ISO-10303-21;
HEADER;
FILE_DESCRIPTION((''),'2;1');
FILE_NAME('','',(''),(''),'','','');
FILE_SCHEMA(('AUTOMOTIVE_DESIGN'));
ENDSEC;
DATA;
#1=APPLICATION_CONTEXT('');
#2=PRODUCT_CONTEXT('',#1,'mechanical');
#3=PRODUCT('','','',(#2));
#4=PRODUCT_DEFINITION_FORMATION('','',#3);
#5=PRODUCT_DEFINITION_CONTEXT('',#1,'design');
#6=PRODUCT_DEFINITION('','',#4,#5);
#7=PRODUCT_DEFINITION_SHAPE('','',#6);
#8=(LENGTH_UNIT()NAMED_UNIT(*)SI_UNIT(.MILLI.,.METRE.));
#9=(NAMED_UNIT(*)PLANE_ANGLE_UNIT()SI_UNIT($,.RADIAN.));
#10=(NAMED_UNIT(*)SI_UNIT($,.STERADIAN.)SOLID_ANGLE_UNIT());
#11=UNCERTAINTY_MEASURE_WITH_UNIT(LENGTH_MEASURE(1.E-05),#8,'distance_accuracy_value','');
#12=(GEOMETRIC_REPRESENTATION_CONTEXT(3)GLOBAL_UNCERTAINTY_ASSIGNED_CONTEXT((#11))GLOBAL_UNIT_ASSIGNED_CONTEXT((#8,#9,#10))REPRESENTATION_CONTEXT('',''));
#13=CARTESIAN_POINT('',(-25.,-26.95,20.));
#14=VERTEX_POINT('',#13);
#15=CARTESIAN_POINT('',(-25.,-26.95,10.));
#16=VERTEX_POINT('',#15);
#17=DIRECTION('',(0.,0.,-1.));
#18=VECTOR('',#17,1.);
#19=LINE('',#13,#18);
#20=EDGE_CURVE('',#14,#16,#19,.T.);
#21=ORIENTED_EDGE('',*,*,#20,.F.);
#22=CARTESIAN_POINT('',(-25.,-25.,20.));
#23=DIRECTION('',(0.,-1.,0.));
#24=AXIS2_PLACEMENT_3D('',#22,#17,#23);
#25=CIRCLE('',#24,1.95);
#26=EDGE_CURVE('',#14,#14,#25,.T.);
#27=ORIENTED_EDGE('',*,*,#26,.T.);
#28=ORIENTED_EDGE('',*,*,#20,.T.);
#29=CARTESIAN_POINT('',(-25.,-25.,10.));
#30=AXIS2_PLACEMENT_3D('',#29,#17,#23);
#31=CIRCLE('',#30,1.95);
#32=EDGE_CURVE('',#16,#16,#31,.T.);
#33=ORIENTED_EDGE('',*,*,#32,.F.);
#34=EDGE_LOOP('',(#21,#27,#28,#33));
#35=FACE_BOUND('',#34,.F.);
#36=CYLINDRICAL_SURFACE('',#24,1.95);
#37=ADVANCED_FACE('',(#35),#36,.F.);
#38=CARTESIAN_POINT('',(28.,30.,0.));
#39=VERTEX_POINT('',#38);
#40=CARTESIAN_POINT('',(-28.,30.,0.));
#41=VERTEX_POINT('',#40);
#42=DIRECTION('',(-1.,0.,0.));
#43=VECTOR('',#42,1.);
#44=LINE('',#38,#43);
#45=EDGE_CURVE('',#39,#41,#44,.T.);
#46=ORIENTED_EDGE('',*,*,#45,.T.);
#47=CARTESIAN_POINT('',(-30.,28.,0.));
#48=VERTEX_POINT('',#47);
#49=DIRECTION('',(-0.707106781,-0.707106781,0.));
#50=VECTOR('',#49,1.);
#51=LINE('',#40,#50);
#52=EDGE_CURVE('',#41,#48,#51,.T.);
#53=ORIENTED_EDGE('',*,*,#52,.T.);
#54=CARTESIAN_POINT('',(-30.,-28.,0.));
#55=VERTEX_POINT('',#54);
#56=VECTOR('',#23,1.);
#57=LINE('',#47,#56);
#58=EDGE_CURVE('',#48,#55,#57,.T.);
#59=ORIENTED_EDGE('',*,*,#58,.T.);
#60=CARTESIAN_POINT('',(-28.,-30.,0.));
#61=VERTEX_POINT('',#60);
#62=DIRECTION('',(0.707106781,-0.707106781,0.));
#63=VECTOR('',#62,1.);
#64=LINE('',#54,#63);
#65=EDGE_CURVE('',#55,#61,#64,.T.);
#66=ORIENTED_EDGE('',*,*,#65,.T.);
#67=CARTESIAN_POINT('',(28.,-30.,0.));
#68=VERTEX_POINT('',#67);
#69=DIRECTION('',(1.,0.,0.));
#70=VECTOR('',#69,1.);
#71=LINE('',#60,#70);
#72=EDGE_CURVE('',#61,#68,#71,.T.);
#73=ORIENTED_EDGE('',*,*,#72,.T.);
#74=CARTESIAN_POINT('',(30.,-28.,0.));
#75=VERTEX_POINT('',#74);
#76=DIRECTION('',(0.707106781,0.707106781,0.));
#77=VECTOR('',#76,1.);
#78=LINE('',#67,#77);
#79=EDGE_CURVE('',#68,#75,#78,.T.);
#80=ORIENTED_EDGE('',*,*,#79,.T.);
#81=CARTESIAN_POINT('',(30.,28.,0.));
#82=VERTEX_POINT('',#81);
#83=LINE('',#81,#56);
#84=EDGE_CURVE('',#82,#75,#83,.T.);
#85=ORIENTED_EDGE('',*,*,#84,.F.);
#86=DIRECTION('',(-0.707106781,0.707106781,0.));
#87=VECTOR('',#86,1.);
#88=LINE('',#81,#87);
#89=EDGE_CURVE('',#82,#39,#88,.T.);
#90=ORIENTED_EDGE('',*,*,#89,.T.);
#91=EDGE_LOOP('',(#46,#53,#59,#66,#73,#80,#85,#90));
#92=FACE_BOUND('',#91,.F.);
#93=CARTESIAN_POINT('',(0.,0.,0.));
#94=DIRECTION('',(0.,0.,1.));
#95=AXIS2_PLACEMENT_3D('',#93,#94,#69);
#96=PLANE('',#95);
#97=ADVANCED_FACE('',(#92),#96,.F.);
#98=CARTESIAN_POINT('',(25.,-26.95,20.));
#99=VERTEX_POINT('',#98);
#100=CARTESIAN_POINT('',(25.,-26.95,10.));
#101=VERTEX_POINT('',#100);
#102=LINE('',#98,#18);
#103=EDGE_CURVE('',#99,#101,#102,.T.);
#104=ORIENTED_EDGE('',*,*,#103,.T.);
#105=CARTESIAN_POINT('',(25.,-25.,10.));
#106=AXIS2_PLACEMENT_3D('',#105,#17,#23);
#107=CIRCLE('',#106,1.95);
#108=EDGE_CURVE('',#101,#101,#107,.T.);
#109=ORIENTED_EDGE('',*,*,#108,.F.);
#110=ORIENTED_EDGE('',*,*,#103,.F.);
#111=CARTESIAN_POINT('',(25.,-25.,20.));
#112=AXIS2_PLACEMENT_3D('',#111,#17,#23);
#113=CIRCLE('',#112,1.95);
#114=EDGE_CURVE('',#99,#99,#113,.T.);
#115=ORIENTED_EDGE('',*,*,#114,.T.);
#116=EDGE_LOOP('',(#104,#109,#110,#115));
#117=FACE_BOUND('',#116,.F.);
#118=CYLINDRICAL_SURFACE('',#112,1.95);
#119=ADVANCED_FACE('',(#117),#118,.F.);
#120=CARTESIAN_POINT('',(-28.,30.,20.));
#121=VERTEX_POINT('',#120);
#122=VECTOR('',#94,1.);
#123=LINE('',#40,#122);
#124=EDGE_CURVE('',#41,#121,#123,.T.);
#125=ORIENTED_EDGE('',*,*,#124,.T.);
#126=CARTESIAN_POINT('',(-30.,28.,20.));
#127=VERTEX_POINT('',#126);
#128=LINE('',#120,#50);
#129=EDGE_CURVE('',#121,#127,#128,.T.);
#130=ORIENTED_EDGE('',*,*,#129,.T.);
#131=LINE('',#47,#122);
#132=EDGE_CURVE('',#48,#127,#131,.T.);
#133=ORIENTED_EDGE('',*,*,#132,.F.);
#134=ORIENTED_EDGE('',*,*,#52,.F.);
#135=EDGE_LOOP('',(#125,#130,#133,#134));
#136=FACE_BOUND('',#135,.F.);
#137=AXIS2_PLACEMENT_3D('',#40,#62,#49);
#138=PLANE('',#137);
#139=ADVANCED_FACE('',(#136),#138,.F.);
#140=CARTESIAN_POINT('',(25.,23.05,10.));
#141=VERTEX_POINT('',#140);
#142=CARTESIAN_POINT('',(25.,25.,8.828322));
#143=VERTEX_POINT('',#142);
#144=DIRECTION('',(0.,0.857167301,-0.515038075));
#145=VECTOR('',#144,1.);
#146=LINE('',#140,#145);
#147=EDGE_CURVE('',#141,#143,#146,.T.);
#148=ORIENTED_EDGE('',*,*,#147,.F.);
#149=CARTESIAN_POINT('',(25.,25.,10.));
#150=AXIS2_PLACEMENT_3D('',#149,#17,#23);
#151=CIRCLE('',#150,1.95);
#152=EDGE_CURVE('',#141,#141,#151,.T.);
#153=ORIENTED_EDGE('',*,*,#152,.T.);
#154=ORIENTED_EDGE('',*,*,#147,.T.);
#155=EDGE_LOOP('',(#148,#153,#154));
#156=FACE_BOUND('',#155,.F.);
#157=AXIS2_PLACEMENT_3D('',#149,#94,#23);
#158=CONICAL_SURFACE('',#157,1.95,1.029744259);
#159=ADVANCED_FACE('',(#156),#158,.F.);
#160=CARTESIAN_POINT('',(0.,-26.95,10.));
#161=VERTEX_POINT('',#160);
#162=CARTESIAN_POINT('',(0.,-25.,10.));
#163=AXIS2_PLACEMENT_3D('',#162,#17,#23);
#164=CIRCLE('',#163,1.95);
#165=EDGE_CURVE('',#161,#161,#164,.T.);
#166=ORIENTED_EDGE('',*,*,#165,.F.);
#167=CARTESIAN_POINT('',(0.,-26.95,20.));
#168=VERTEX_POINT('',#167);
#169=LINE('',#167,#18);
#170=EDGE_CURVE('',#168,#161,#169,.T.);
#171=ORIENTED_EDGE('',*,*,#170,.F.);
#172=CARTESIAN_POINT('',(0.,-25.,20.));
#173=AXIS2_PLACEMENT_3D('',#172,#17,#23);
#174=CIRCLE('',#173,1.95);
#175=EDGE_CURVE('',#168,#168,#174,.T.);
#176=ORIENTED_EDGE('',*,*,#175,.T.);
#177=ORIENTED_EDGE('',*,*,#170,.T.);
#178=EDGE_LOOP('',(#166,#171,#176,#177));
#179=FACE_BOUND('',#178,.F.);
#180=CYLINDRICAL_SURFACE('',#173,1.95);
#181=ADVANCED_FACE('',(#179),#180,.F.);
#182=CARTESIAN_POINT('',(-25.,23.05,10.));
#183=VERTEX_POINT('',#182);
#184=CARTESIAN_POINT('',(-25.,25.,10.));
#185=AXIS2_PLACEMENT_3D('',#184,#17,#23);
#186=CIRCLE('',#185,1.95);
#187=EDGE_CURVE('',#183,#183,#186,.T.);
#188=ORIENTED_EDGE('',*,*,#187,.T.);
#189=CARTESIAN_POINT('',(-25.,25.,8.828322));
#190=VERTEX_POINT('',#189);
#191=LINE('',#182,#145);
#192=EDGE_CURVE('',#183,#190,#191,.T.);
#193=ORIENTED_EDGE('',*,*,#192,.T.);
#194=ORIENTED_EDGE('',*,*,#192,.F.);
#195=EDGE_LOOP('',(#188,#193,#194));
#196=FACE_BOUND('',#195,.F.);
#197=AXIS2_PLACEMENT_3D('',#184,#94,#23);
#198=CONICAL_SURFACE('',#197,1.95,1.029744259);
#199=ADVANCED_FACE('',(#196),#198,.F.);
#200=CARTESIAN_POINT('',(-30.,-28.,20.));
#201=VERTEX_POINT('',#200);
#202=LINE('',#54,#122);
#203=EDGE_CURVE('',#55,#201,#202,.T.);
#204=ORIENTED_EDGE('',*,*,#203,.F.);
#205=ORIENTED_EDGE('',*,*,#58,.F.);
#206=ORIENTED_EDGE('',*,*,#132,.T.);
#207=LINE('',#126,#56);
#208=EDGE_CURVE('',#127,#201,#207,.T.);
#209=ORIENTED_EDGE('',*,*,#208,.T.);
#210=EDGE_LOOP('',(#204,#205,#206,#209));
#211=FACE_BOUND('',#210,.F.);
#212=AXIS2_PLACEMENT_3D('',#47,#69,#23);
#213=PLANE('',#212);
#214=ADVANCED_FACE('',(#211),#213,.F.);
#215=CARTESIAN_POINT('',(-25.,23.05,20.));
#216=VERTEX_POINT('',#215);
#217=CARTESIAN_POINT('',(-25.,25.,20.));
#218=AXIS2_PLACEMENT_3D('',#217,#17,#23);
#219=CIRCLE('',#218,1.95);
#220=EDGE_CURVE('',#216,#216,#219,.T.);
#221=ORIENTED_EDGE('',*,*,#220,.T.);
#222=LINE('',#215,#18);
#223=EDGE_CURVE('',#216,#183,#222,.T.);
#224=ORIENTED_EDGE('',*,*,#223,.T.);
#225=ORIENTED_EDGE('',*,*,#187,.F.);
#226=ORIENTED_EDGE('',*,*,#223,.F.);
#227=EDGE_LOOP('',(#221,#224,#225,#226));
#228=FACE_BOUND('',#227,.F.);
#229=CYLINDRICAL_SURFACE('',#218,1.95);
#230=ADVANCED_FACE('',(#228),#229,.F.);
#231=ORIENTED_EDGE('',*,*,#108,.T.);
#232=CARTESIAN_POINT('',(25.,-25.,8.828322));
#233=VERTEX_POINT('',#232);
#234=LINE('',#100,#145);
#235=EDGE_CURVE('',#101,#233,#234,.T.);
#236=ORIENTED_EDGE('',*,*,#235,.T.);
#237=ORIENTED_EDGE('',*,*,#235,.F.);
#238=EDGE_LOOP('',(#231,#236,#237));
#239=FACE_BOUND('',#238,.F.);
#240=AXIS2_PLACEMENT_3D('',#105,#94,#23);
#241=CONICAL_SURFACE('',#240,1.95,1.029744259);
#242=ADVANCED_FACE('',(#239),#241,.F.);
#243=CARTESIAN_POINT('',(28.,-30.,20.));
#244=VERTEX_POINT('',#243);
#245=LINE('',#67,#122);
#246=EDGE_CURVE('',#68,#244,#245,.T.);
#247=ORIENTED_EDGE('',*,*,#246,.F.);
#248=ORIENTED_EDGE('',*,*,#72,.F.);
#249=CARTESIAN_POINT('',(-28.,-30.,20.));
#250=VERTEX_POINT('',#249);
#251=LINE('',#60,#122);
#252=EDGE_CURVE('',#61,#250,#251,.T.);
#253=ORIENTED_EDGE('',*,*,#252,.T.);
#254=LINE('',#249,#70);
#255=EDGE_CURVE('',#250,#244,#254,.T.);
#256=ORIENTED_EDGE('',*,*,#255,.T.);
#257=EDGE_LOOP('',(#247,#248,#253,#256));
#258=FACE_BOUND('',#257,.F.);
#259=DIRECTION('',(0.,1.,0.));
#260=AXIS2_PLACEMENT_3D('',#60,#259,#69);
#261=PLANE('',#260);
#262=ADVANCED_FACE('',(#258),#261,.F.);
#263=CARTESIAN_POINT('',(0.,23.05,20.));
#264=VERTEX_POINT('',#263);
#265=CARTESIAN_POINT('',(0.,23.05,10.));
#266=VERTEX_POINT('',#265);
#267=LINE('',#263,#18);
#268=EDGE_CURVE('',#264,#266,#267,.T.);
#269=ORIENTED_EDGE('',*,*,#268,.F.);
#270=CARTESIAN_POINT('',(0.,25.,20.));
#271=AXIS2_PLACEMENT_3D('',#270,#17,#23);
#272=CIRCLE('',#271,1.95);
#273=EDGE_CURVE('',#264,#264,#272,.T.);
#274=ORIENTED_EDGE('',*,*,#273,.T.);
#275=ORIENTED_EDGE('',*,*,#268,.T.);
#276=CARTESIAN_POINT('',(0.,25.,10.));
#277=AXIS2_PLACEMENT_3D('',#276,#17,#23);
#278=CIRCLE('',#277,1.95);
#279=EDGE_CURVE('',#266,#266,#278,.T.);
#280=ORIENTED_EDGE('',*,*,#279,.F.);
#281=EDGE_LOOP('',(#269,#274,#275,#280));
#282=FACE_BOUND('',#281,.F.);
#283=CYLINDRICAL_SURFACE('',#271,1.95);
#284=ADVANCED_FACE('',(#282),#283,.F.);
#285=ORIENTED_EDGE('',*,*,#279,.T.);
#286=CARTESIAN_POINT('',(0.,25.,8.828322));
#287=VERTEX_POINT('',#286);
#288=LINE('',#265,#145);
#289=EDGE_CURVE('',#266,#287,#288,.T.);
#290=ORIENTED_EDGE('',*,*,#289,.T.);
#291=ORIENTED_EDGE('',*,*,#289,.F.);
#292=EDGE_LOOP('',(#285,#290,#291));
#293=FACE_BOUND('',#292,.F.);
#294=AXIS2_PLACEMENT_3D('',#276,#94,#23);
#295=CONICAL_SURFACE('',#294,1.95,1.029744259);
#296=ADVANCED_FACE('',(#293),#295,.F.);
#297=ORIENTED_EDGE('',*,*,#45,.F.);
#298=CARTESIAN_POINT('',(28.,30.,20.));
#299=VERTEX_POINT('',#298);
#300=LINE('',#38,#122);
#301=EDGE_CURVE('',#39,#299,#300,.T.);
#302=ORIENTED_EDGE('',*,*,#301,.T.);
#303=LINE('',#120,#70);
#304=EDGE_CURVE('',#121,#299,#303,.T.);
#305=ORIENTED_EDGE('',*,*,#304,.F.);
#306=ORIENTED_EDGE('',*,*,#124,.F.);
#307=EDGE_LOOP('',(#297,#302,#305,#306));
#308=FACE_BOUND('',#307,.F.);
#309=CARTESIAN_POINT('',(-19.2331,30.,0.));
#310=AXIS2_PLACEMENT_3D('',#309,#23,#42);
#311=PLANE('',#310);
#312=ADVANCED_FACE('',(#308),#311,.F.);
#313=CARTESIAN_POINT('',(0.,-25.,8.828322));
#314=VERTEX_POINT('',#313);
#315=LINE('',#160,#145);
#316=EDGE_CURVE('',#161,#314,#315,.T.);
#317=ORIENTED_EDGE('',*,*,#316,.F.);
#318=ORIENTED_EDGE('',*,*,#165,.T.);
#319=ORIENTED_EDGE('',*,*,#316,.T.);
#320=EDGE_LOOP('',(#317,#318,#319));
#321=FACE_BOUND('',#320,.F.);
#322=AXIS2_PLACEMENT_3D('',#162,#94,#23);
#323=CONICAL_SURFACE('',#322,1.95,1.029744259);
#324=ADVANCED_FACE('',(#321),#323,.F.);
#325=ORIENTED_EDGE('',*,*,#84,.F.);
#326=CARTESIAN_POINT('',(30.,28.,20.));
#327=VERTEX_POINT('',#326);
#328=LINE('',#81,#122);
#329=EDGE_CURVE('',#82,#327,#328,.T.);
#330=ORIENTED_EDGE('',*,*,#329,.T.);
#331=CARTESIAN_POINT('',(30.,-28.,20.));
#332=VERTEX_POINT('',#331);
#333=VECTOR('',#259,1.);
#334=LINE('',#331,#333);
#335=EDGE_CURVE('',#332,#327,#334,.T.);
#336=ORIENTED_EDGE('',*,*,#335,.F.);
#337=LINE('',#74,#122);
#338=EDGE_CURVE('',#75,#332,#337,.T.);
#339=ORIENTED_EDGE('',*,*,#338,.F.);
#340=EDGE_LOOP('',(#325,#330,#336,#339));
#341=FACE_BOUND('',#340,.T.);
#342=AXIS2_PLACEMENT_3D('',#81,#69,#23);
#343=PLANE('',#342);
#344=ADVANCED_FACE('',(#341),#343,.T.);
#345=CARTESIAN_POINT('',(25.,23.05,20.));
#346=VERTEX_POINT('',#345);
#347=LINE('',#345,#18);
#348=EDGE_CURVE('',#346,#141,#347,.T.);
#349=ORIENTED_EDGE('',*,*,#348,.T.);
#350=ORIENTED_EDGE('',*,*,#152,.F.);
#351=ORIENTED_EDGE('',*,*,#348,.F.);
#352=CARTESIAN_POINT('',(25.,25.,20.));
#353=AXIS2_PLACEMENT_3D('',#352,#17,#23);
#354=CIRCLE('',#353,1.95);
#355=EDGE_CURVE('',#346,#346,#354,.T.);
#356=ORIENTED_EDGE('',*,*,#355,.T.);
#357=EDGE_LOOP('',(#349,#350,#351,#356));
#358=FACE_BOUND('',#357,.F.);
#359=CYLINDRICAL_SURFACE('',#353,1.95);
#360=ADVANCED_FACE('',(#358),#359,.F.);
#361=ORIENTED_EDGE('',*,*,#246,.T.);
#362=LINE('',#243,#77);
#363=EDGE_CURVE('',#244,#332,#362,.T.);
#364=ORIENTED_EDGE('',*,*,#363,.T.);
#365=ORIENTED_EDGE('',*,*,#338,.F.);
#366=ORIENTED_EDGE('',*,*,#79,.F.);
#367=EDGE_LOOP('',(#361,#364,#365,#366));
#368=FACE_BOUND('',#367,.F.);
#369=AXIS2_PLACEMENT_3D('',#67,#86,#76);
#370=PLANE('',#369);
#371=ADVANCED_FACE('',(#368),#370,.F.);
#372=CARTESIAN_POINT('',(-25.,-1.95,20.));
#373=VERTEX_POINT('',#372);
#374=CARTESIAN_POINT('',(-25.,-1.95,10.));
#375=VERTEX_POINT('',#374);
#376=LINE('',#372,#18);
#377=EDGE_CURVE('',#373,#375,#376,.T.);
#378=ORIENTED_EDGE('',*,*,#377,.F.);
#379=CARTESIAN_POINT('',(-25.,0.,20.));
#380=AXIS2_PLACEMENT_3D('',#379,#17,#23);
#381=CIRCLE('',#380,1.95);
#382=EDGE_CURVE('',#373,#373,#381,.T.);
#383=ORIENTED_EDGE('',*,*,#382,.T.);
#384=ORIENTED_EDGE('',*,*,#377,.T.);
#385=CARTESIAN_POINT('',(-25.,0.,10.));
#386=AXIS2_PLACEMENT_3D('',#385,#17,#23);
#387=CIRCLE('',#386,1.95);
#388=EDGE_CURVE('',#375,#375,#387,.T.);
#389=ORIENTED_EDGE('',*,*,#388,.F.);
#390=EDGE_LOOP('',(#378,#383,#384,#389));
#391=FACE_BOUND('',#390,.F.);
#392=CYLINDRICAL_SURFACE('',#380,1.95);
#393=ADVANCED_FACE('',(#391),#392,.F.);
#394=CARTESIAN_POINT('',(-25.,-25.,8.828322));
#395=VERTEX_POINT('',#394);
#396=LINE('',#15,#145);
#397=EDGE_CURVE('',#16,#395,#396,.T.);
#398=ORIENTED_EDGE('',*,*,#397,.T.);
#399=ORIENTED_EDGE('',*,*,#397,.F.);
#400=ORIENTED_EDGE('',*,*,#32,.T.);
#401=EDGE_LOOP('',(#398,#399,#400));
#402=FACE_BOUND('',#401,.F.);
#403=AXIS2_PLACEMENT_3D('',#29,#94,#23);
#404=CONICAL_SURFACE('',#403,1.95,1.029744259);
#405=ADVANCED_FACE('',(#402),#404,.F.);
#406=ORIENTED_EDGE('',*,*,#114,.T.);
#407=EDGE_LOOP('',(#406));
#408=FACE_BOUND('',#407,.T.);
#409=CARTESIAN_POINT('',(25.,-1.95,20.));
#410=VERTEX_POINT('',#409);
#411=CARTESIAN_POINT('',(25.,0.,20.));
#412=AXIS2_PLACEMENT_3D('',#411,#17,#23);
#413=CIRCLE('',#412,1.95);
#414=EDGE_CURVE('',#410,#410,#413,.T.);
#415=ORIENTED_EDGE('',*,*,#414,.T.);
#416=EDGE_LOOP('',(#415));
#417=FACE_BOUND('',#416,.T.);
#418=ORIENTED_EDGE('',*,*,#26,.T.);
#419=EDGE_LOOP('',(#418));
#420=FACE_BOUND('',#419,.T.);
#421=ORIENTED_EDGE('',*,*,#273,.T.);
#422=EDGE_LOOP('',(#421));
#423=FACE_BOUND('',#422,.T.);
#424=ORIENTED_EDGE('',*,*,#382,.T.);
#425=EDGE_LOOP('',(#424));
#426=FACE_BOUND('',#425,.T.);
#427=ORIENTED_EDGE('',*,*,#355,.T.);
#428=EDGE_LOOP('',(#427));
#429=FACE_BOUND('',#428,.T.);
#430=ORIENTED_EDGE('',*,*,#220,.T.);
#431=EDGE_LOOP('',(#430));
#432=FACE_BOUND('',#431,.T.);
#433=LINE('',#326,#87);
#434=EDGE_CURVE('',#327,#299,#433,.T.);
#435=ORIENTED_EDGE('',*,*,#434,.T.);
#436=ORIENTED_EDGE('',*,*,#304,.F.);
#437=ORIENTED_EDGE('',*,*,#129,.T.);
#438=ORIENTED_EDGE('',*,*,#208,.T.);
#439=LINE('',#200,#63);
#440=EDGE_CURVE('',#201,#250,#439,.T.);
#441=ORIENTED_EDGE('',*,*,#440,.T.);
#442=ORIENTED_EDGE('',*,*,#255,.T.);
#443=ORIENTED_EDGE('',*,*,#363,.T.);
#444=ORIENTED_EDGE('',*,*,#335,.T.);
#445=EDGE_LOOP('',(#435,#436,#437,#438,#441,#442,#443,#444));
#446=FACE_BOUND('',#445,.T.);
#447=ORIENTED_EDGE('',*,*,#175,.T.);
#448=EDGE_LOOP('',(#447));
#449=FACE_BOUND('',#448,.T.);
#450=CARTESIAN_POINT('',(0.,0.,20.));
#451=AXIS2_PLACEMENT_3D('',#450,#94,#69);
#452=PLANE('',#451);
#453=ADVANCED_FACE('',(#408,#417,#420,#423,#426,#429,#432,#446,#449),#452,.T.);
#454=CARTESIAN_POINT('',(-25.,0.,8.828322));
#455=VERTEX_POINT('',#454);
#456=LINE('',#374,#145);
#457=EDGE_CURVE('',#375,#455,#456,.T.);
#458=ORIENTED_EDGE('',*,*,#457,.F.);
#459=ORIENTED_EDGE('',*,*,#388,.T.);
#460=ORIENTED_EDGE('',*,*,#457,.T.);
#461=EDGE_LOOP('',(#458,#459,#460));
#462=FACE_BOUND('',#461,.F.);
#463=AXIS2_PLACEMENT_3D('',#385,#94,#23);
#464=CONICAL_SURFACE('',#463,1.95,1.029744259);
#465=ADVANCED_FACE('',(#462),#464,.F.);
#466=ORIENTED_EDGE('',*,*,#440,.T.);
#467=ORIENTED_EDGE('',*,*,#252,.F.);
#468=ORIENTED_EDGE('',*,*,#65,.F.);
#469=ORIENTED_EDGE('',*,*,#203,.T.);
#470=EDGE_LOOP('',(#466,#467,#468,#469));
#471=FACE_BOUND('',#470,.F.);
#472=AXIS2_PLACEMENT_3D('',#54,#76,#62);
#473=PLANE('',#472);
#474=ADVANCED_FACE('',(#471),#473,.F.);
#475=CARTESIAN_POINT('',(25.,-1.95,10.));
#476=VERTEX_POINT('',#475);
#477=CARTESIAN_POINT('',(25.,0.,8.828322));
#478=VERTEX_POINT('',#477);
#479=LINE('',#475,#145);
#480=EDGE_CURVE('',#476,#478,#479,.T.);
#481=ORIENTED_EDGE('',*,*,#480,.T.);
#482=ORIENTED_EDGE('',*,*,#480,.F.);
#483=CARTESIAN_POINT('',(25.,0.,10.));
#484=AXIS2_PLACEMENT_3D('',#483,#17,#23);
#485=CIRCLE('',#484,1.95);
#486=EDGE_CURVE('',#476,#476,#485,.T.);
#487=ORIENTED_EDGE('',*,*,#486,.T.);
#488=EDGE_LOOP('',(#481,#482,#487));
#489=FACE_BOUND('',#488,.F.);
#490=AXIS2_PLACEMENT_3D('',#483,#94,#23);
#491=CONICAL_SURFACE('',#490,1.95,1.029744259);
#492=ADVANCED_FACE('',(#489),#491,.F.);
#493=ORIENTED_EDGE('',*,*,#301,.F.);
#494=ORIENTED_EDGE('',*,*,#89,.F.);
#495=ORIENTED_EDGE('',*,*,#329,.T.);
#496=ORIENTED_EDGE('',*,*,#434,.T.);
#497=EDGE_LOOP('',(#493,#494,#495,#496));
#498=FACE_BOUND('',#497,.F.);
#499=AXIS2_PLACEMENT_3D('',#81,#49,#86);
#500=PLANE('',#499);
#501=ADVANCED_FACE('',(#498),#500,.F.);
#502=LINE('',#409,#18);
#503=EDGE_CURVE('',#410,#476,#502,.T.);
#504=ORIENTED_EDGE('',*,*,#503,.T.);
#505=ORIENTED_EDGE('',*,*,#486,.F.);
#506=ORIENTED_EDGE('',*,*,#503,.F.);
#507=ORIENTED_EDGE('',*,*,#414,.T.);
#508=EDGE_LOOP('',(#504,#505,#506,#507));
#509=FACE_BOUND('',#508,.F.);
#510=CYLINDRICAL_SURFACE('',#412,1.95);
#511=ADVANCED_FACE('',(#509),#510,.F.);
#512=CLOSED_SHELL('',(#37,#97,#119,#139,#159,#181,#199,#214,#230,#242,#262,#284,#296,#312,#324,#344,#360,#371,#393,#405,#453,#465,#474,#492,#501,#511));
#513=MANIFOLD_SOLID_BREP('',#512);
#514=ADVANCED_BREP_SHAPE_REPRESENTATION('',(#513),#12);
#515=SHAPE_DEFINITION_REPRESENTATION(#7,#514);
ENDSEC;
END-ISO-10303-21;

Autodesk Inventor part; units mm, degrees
ref_plane "YZ Plane" through (0, 0, 0) normal (1, 0, 0) x (0, 1, 0)
ref_plane "XZ Plane" through (0, 0, 0) normal (0, 1, 0) x (-1, 0, 0)
ref_plane "XY Plane" through (0, 0, 0) normal (0, 0, 1) x (1, 0, 0)
ref_plane "Work Plane1" through (0, 0, 0) normal (0, 0, 1) x (1, 0, 0)
sketch "Sketch1" plane through (0, 0, 0) normal (0, 0, 1) x (1, 0, 0)
  line L0 (-28, 30) -> (-30, 28) projected
  line L1 (-30, 28) -> (-30, -28) projected
  line L2 (-30, -28) -> (-28, -30) projected
  line L3 (-28, -30) -> (28, -30) projected
  line L4 (28, -30) -> (30, -28) projected
  line L5 (30, -28) -> (30, -17.7934) projected
  line L6 (30, 28) -> (28, 30) projected
  line L7 (28, 30) -> (17.7934, 30) projected
  line L8 (-25, -25) -> (25, -25) construction
  line L9 (25, -25) -> (25, 25) construction
  line L10 (25, 25) -> (-25, 25) construction
  line L11 (-25, 25) -> (-25, -25) construction
  line L12 (-25, -25) -> (25, 25) construction
  line L13 (25, -25) -> (-25, 25) construction
  line L14 (30, -17.7934) -> (44, -17.7934) projected
  line L15 (44, -9.0511) -> (44, -17.7934) projected
  line L16 (30, -9.0511) -> (44, -9.0511) construction
  line L17 (30, -9.0511) -> (30, 8.3051) projected
  line L18 (30, 8.3051) -> (44, 8.3051) projected
  line L19 (44, 19.2331) -> (44, 8.3051) projected
  line L20 (30, 19.2331) -> (44, 19.2331) construction
  line L21 (30, 28) -> (30, -28) projected
  line L22 (17.7934, 30) -> (17.7934, 44) projected
  line L23 (9.0511, 44) -> (17.7934, 44) projected
  line L24 (9.0511, 30) -> (9.0511, 44) construction
  line L25 (-8.3051, 30) -> (-8.3051, 44) projected
  line L26 (-19.2331, 44) -> (-8.3051, 44) projected
  line L27 (-19.2331, 30) -> (-19.2331, 44) construction
  line L28 (-19.2331, 30) -> (-28, 30) projected
  line L29 (30, 19.2331) -> (30, 28) projected
  line L30 (9.0511, 30) -> (-8.3051, 30) projected
  line L31 (-28, 30) -> (28, 30) projected
  line L32 (25, 0) -> (-25, 0)
  point P0 (0, 0)
  dimension "d0" = 50
  dimension "d1" = 50
extrude "Extrusion1" add sketch "Sketch1" along normal blind 20
sketch "Sketch2" plane through (0, 0, 20) normal (0, 0, 1) x (1, 0, 0)
  line L0 (-25, -25) -> (25, -25)
  line L1 (25, -25) -> (25, 25)
  line L2 (25, 25) -> (-25, 25)
  line L3 (-25, 25) -> (-25, -25)
  line L4 (-25, -25) -> (25, 25) construction
  line L5 (25, -25) -> (-25, 25) construction
  point P0 (0, 0)
  point P1 (25, 0)
  point P2 (-25, 0)
  point P3 (0, 25)
  point P4 (0, -25)
  dimension "d4" = 50
  dimension "d5" = 50
hole "Hole1" at (25, 25, 20) at (25, -25, 20) at (-25, -25, 20) at (-25, 25, 20) at (-25, 0, 20) at (25, 0, 20) at (0, 25, 20) at (0, -25, 20) direction (0, 0, -1) diameter 3.9 depth 10 tip angle 118
properties part number "00_XY_stage-CHUO_SEIKI_LD-647-R1-Bottom"
